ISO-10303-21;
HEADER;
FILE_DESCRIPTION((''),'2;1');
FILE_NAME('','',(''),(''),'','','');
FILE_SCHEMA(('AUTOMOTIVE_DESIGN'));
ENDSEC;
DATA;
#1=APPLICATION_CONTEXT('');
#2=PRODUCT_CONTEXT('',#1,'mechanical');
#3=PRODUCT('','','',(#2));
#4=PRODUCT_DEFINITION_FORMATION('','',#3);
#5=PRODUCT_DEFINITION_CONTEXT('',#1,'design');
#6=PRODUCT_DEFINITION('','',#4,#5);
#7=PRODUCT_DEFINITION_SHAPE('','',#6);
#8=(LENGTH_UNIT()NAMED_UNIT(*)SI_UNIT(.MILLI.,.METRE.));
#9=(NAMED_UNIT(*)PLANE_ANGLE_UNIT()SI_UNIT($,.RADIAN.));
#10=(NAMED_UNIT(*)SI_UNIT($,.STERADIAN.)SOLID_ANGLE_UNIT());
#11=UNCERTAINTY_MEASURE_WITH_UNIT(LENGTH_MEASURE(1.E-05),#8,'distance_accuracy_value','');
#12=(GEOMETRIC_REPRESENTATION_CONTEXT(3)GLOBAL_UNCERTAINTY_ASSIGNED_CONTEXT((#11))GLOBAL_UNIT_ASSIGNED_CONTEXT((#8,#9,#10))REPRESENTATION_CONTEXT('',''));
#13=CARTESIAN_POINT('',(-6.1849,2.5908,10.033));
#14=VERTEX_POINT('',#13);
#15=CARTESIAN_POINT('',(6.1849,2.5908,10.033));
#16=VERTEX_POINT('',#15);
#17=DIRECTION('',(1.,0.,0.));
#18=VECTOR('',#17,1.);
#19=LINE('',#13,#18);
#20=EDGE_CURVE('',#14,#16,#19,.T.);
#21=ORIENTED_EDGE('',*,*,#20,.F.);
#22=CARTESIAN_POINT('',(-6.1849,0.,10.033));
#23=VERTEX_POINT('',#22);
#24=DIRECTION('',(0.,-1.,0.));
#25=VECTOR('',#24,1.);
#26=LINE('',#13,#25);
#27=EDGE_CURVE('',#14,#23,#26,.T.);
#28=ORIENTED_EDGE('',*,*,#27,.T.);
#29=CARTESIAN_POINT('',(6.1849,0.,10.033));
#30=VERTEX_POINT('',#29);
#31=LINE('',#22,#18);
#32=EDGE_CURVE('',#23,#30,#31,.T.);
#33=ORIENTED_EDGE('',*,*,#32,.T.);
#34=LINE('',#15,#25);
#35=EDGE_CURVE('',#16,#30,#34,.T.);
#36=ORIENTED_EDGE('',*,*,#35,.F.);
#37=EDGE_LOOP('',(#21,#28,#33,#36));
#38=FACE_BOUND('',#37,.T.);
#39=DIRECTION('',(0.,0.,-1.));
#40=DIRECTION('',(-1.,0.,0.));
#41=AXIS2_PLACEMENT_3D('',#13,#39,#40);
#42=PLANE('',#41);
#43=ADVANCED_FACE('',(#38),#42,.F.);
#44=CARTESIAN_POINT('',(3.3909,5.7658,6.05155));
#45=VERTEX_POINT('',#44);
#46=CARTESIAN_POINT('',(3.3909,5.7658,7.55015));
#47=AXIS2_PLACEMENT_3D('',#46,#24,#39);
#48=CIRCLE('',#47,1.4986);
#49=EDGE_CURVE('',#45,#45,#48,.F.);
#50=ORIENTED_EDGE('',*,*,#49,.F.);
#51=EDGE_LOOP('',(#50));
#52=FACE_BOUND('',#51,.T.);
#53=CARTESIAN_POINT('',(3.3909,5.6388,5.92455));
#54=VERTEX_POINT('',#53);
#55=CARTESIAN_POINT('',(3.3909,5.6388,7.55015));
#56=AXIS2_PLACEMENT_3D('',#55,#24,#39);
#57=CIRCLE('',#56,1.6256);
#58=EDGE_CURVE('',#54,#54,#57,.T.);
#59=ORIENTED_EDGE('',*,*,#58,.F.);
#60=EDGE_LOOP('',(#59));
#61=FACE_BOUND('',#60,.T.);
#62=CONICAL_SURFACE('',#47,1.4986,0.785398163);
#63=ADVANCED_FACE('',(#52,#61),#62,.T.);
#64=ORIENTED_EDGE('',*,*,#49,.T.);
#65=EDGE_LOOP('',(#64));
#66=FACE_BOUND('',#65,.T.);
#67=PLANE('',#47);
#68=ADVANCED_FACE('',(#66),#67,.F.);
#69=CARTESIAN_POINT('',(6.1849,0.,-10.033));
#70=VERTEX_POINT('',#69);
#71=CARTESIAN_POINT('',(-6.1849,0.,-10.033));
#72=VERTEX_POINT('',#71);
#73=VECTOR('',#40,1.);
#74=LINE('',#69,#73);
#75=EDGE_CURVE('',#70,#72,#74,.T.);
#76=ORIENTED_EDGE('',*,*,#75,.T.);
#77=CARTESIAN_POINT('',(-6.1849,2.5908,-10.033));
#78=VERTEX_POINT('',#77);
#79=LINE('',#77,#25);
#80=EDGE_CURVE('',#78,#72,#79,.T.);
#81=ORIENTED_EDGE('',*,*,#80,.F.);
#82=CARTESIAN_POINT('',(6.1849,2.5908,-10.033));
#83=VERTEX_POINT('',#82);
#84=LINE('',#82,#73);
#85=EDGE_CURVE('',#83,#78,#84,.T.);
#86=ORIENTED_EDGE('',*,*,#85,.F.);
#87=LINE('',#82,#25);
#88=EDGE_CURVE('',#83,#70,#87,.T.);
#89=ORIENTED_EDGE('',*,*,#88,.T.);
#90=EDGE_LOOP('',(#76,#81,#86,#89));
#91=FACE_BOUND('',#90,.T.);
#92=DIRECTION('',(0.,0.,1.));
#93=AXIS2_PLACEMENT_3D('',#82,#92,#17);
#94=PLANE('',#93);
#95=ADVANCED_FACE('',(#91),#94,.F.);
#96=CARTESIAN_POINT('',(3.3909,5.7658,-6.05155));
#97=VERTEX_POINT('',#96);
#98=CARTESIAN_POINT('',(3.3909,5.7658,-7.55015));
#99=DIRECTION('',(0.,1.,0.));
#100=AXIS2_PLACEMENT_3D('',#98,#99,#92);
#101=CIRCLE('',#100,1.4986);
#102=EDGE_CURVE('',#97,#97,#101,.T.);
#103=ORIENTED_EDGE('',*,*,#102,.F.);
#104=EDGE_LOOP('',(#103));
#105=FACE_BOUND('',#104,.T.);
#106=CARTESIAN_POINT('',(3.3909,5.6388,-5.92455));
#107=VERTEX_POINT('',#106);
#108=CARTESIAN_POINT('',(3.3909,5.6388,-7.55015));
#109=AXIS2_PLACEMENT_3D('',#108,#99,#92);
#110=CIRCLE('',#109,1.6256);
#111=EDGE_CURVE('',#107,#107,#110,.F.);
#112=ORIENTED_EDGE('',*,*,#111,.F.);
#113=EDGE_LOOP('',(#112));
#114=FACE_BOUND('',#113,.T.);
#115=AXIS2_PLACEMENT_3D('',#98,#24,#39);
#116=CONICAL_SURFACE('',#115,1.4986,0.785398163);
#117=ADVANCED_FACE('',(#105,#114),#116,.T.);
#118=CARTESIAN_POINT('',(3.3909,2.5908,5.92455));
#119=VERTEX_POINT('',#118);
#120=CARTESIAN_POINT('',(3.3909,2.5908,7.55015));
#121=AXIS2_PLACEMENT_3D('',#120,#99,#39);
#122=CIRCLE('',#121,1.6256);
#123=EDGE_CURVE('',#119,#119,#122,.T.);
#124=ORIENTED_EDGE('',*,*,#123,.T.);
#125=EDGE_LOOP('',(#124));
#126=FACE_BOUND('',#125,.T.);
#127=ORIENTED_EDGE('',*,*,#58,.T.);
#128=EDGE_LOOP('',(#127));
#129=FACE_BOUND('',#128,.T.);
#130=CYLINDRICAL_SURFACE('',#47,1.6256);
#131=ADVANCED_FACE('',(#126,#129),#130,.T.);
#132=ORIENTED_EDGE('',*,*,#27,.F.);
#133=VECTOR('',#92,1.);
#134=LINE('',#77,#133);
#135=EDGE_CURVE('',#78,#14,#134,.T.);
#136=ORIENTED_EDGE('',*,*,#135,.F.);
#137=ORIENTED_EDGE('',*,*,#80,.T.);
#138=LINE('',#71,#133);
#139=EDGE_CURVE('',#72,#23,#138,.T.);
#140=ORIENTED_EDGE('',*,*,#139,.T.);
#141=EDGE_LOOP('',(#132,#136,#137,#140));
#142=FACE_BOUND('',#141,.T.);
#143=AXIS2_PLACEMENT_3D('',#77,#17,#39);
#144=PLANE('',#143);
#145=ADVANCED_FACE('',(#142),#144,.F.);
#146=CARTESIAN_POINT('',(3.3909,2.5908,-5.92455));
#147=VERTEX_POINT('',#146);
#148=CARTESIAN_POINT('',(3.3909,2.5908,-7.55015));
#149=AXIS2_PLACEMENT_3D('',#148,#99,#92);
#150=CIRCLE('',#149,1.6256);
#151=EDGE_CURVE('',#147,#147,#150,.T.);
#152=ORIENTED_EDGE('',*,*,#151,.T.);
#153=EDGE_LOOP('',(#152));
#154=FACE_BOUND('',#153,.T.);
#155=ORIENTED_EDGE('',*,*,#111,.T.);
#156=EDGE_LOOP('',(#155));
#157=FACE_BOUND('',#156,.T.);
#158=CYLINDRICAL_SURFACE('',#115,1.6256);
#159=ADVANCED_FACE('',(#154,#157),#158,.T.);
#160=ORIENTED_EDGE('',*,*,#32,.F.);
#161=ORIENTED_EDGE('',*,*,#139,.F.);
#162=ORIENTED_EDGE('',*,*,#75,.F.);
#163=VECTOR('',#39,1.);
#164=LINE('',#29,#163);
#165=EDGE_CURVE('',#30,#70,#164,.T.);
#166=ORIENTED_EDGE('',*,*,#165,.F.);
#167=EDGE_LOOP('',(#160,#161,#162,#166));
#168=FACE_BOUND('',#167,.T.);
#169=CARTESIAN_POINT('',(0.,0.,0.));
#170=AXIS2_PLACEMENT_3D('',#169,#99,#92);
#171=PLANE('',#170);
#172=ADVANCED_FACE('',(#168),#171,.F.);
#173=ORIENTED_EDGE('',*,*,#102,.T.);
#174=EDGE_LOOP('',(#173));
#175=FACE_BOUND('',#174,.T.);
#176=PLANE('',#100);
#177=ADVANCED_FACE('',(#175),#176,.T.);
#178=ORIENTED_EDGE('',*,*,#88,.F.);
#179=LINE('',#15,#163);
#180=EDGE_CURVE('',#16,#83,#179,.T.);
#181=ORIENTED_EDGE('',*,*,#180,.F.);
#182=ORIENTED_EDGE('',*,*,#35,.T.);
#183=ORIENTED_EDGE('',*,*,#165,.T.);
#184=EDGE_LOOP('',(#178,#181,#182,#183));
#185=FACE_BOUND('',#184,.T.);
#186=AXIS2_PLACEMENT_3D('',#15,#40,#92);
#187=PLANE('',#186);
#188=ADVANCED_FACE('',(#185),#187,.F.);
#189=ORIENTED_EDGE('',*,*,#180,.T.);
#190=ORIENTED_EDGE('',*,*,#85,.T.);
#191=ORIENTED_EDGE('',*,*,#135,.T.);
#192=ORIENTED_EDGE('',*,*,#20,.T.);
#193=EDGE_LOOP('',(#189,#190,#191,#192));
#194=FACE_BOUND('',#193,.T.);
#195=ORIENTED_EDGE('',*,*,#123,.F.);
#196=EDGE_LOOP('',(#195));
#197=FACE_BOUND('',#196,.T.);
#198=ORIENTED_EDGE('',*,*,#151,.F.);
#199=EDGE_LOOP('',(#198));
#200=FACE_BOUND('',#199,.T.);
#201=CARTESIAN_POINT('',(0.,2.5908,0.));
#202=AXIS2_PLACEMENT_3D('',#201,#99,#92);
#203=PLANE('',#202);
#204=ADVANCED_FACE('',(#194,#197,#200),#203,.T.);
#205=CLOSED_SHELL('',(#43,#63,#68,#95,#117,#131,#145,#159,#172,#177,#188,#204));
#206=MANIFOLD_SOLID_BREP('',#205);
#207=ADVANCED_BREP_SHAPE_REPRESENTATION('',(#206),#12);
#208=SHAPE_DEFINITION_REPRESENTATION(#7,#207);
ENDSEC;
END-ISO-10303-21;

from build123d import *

# Parameters (mm, degrees)
SKETCH1_W           = 12.3698
SKETCH1_H           = 20.066
BOSS_EXTRUDE1_DEPTH = 2.5908
SKETCH2_R           = 1.6256
BOSS_EXTRUDE2_DEPTH = 3.175
CHAMFER1_SIZE       = 0.127


with BuildPart() as part:
    # Sketch1 → Boss-Extrude1 (new body)
    with BuildSketch(Plane(origin=(0, 0, 0), x_dir=(1, 0, 0), z_dir=(0, 1, 0))):
        Rectangle(SKETCH1_W, SKETCH1_H)
    extrude(amount=BOSS_EXTRUDE1_DEPTH)

    # Sketch2 → Boss-Extrude2 (add)
    with BuildSketch(Plane(origin=(0, 2.5908, 0), x_dir=(1, 0, 0), z_dir=(0, 1, 0))):
        with Locations(Location((3.3909, 7.55015, 0), (0, 0, 270))):
            Circle(SKETCH2_R)
        with Locations(Location((3.3909, -7.55015, 0), (0, 0, 90))):
            Circle(SKETCH2_R)
    extrude(amount=BOSS_EXTRUDE2_DEPTH)

    # Chamfer1
    chamfer1_edges = [part.edges().sort_by_distance(p)[0] for p in [
        (3.3909, 5.7658, -9.17575),
        (3.3909, 5.7658, 9.17575),
    ]]
    chamfer(chamfer1_edges, length=CHAMFER1_SIZE)


solid = part.part
